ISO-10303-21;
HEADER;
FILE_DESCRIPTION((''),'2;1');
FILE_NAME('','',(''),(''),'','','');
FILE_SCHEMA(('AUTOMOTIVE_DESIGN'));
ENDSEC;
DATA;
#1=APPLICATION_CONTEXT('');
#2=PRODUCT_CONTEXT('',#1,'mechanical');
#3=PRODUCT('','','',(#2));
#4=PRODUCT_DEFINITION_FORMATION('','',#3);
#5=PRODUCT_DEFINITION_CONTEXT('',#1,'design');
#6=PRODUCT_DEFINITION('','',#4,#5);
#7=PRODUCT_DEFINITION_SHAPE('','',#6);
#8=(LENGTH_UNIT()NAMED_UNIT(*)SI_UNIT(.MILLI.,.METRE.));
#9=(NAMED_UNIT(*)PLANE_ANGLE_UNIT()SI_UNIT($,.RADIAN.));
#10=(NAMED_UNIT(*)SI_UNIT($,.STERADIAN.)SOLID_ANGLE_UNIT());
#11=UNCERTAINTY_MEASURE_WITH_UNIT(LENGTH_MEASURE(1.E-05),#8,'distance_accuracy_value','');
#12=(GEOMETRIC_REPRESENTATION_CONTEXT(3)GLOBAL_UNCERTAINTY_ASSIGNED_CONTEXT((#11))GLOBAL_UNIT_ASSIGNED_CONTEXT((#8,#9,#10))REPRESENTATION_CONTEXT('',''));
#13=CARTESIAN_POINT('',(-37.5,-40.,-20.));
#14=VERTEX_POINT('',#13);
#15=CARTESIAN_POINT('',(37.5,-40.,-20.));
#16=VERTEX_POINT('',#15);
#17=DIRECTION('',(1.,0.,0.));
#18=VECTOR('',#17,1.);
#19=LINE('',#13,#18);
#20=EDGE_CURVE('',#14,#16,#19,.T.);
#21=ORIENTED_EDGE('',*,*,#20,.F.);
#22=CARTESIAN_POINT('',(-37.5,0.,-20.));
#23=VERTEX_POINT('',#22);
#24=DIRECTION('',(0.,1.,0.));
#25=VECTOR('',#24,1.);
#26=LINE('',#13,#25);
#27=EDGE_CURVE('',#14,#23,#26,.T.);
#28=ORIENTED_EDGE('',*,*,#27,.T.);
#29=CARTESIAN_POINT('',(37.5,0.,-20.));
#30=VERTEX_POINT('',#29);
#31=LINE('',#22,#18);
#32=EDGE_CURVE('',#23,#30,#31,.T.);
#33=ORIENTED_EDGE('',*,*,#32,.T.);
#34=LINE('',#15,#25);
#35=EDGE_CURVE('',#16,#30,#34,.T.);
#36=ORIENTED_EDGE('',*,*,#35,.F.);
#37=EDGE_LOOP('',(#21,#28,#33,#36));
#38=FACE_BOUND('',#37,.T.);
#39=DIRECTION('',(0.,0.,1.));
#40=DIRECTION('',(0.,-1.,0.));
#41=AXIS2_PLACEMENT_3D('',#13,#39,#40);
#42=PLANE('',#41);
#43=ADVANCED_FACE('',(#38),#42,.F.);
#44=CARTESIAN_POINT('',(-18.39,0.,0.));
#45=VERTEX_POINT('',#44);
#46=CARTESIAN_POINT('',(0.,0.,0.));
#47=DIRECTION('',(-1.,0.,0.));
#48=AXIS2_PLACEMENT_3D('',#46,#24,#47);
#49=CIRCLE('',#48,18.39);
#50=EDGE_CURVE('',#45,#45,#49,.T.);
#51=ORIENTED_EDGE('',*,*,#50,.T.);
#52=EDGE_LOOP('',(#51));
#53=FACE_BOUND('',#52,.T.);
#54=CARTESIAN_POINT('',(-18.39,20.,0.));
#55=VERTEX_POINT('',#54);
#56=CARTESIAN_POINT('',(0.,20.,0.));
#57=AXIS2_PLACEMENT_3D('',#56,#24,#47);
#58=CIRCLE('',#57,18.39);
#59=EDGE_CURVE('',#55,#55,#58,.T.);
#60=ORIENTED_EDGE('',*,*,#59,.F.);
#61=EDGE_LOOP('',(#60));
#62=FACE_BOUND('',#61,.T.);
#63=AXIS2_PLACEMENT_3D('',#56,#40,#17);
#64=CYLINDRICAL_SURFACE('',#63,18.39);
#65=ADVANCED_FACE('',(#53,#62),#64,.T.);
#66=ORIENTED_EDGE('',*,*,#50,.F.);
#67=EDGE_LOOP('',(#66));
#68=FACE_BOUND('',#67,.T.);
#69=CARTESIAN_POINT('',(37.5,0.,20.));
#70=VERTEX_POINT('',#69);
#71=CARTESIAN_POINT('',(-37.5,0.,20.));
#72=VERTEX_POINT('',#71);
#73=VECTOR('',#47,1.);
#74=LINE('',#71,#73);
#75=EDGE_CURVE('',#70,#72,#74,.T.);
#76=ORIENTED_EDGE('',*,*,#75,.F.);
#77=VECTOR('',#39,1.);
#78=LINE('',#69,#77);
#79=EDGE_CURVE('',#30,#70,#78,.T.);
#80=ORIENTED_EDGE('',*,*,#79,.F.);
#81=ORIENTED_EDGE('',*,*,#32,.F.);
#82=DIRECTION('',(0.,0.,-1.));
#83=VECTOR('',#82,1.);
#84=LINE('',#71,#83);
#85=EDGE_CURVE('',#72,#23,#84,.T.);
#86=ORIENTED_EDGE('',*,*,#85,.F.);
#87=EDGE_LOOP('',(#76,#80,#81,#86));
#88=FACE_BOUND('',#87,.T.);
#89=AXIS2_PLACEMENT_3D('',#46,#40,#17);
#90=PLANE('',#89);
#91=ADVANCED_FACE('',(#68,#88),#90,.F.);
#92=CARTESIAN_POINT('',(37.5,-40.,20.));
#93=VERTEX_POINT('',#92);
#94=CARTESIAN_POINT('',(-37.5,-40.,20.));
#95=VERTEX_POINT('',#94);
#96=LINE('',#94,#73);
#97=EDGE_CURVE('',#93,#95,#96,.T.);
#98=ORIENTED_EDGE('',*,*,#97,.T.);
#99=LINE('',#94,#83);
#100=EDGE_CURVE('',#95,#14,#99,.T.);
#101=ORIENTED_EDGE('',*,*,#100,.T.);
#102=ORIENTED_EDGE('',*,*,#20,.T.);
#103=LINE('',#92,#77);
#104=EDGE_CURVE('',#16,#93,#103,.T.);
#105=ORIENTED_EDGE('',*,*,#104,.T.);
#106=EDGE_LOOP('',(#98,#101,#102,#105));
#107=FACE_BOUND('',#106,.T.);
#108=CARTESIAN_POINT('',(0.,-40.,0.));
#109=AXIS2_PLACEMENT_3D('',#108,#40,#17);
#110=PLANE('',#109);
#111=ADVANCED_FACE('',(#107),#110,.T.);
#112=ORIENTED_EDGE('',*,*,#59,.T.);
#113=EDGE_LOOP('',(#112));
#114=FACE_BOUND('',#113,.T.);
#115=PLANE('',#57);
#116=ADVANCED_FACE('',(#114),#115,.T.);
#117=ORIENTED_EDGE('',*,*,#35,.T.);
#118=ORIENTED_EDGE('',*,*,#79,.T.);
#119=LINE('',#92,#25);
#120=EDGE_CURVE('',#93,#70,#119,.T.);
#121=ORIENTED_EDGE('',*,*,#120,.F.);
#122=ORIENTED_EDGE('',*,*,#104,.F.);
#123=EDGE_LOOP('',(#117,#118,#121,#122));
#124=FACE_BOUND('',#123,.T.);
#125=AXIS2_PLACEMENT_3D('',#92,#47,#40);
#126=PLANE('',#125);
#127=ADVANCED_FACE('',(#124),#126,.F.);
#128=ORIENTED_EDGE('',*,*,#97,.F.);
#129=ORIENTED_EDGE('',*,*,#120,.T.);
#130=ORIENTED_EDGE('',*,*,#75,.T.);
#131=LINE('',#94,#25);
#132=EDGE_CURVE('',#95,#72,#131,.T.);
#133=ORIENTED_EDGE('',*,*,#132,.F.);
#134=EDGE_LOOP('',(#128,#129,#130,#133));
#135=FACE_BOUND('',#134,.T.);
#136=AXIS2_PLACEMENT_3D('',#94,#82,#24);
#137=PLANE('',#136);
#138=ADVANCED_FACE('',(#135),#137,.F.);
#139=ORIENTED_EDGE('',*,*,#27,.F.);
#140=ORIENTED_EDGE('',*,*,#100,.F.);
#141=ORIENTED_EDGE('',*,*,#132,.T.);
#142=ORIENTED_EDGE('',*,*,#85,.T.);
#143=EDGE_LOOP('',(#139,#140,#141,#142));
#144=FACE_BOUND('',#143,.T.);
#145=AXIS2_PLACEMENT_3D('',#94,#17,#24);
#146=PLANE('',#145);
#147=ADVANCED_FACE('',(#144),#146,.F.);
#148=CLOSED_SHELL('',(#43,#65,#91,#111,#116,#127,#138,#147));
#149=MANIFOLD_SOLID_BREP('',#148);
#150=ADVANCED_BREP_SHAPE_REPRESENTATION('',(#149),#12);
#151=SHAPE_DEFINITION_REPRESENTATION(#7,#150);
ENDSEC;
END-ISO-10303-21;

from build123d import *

# Parameters (mm, degrees)
SKIZZE1_W                          = 75
SKIZZE1_H                          = 40
AUFSATZ_LINEAR_AUSTRAGEN1_DEPTH    = 40
SKIZZE2_R                          = 18.39
AUFSATZ_LINEAR_AUSTRAGEN2_DEPTH    = 20
K_RPER_VERSCHIEBEN_KOPIEREN1_ANGLE = 180
K_RPER_VERSCHIEBEN_KOPIEREN2_ANGLE = 90
K_RPER_VERSCHIEBEN_KOPIEREN3_ANGLE = 180


with BuildPart() as part:
    # Skizze1 → Aufsatz-Linear austragen1 (new body)
    with BuildSketch(Plane.XY):
        Rectangle(SKIZZE1_W, SKIZZE1_H)
    extrude(amount=AUFSATZ_LINEAR_AUSTRAGEN1_DEPTH)

    # Skizze2 → Aufsatz-Linear austragen2 (add)
    with BuildSketch(Plane(origin=(0, 0, 0), x_dir=(-1, 0, 0), z_dir=(0, 0, -1))):
        Circle(SKIZZE2_R)
    extrude(amount=AUFSATZ_LINEAR_AUSTRAGEN2_DEPTH)


with BuildPart() as part_1:
    # Körper-Verschieben/Kopieren1: moved
    add(part.part.rotate(Axis((0, 0, 10), (1, 0, 0)), K_RPER_VERSCHIEBEN_KOPIEREN1_ANGLE))


with BuildPart() as part_2:
    # Körper-Verschieben/Kopieren2: moved
    add(part_1.part.rotate(Axis((0, 0, 10), (1, 0, 0)), K_RPER_VERSCHIEBEN_KOPIEREN2_ANGLE))


with BuildPart() as part_3:
    # Körper-Verschieben/Kopieren3: moved
    add(part_2.part.rotate(Axis((0, 0, 10), (1, 0, 0)), K_RPER_VERSCHIEBEN_KOPIEREN3_ANGLE))


with BuildPart() as part_4:
    # Körper-Verschieben/Kopieren4: moved
    add(part_3.part.moved(Location((0, -10, 0))))


with BuildPart() as part_5:
    # Körper-Verschieben/Kopieren5: moved
    add(part_4.part.moved(Location((0, 0, -10))))


solid = part_5.part
